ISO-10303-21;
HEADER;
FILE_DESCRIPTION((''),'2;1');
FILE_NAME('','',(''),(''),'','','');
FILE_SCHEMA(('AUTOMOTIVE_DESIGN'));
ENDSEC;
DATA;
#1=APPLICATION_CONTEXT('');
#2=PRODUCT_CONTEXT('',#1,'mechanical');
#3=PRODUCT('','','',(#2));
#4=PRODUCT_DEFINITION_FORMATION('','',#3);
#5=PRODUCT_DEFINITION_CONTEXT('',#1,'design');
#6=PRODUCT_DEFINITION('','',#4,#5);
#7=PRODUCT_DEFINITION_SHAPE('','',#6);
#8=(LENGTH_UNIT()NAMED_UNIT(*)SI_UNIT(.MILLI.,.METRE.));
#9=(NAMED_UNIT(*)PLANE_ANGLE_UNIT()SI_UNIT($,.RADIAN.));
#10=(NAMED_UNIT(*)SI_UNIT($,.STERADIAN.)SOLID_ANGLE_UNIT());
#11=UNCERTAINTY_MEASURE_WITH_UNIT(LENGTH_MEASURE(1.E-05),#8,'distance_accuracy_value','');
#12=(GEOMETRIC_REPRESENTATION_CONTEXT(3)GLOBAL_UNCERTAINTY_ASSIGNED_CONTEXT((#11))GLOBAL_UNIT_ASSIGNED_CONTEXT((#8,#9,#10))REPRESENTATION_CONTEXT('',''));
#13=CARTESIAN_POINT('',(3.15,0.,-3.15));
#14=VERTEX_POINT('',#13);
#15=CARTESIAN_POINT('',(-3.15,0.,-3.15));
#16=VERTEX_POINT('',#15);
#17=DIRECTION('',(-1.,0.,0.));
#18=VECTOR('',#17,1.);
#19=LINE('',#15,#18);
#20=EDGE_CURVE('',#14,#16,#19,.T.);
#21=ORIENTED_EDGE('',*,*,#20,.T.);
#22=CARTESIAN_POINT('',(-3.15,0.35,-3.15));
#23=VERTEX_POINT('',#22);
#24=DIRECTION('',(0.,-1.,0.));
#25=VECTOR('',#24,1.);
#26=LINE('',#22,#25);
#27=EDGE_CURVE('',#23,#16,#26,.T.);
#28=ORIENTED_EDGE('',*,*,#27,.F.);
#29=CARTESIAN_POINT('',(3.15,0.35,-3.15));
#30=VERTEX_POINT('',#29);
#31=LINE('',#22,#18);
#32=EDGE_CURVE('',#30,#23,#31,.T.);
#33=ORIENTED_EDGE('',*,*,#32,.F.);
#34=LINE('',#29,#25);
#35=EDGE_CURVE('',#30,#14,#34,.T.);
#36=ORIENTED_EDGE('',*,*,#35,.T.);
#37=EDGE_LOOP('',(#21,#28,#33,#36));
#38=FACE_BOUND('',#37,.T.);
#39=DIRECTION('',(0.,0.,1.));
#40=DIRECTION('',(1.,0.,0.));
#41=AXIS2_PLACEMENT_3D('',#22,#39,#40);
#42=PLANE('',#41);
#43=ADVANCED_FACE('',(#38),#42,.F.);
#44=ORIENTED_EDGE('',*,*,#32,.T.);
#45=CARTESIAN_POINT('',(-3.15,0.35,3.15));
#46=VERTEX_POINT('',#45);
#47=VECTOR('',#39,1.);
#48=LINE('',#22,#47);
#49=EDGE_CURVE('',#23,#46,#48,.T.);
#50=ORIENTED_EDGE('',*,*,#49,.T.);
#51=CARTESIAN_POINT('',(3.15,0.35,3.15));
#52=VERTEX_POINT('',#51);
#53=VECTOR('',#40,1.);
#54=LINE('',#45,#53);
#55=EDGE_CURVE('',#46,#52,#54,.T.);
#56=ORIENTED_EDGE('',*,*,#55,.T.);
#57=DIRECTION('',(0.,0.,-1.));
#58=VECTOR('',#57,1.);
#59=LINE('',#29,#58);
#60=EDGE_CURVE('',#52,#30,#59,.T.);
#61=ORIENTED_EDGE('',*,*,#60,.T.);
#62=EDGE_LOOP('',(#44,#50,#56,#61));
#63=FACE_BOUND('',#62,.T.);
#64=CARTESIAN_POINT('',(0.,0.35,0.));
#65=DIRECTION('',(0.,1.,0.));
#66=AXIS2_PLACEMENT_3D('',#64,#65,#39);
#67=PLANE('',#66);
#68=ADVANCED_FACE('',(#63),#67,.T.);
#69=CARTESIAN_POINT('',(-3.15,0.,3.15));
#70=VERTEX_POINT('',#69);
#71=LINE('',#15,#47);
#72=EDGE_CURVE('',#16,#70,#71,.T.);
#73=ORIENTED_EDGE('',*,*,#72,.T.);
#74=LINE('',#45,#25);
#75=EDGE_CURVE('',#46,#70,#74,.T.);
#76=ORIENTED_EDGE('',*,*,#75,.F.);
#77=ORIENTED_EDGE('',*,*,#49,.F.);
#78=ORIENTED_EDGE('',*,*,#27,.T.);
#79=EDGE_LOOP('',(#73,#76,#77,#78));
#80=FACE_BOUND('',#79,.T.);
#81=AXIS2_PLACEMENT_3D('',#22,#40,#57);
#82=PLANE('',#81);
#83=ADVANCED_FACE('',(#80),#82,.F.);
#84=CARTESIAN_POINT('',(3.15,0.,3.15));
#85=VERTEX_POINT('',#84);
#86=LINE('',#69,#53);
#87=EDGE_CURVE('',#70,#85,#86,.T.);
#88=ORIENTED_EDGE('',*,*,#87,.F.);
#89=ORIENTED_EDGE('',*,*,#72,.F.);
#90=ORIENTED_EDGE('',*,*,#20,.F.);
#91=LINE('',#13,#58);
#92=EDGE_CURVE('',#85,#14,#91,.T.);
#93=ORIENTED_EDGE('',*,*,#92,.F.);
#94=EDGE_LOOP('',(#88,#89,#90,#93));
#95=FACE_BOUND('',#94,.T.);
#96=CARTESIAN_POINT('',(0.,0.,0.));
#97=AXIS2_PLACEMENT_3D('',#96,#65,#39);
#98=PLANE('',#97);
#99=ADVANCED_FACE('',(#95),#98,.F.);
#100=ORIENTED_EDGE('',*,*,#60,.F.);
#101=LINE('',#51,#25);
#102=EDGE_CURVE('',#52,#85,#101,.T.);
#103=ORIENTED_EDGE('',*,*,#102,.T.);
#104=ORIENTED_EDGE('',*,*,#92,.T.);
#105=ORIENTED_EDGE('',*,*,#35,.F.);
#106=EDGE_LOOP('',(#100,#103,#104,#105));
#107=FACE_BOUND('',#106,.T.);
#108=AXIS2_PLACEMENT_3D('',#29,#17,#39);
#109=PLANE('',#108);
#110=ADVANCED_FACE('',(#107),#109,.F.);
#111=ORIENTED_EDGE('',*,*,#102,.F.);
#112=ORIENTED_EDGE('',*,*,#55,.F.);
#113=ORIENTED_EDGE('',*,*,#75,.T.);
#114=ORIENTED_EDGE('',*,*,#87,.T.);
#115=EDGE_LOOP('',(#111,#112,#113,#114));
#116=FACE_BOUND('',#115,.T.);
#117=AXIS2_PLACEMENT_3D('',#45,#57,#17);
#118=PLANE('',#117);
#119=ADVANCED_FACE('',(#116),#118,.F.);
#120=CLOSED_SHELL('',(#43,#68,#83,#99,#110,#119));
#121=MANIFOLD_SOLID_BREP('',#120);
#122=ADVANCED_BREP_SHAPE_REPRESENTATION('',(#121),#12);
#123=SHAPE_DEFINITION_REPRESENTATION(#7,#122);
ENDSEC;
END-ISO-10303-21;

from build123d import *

# Parameters (mm, degrees)
SKIZZE1_W                       = 6.3
SKIZZE1_H                       = 6.3
AUFSATZ_LINEAR_AUSTRAGEN1_DEPTH = 0.35


with BuildPart() as part:
    # Skizze1 → Aufsatz-Linear austragen1 (new body)
    with BuildSketch(Plane(origin=(0, 0, 0), x_dir=(1, 0, 0), z_dir=(0, 1, 0))):
        Rectangle(SKIZZE1_W, SKIZZE1_H)
    extrude(amount=AUFSATZ_LINEAR_AUSTRAGEN1_DEPTH)


solid = part.part
